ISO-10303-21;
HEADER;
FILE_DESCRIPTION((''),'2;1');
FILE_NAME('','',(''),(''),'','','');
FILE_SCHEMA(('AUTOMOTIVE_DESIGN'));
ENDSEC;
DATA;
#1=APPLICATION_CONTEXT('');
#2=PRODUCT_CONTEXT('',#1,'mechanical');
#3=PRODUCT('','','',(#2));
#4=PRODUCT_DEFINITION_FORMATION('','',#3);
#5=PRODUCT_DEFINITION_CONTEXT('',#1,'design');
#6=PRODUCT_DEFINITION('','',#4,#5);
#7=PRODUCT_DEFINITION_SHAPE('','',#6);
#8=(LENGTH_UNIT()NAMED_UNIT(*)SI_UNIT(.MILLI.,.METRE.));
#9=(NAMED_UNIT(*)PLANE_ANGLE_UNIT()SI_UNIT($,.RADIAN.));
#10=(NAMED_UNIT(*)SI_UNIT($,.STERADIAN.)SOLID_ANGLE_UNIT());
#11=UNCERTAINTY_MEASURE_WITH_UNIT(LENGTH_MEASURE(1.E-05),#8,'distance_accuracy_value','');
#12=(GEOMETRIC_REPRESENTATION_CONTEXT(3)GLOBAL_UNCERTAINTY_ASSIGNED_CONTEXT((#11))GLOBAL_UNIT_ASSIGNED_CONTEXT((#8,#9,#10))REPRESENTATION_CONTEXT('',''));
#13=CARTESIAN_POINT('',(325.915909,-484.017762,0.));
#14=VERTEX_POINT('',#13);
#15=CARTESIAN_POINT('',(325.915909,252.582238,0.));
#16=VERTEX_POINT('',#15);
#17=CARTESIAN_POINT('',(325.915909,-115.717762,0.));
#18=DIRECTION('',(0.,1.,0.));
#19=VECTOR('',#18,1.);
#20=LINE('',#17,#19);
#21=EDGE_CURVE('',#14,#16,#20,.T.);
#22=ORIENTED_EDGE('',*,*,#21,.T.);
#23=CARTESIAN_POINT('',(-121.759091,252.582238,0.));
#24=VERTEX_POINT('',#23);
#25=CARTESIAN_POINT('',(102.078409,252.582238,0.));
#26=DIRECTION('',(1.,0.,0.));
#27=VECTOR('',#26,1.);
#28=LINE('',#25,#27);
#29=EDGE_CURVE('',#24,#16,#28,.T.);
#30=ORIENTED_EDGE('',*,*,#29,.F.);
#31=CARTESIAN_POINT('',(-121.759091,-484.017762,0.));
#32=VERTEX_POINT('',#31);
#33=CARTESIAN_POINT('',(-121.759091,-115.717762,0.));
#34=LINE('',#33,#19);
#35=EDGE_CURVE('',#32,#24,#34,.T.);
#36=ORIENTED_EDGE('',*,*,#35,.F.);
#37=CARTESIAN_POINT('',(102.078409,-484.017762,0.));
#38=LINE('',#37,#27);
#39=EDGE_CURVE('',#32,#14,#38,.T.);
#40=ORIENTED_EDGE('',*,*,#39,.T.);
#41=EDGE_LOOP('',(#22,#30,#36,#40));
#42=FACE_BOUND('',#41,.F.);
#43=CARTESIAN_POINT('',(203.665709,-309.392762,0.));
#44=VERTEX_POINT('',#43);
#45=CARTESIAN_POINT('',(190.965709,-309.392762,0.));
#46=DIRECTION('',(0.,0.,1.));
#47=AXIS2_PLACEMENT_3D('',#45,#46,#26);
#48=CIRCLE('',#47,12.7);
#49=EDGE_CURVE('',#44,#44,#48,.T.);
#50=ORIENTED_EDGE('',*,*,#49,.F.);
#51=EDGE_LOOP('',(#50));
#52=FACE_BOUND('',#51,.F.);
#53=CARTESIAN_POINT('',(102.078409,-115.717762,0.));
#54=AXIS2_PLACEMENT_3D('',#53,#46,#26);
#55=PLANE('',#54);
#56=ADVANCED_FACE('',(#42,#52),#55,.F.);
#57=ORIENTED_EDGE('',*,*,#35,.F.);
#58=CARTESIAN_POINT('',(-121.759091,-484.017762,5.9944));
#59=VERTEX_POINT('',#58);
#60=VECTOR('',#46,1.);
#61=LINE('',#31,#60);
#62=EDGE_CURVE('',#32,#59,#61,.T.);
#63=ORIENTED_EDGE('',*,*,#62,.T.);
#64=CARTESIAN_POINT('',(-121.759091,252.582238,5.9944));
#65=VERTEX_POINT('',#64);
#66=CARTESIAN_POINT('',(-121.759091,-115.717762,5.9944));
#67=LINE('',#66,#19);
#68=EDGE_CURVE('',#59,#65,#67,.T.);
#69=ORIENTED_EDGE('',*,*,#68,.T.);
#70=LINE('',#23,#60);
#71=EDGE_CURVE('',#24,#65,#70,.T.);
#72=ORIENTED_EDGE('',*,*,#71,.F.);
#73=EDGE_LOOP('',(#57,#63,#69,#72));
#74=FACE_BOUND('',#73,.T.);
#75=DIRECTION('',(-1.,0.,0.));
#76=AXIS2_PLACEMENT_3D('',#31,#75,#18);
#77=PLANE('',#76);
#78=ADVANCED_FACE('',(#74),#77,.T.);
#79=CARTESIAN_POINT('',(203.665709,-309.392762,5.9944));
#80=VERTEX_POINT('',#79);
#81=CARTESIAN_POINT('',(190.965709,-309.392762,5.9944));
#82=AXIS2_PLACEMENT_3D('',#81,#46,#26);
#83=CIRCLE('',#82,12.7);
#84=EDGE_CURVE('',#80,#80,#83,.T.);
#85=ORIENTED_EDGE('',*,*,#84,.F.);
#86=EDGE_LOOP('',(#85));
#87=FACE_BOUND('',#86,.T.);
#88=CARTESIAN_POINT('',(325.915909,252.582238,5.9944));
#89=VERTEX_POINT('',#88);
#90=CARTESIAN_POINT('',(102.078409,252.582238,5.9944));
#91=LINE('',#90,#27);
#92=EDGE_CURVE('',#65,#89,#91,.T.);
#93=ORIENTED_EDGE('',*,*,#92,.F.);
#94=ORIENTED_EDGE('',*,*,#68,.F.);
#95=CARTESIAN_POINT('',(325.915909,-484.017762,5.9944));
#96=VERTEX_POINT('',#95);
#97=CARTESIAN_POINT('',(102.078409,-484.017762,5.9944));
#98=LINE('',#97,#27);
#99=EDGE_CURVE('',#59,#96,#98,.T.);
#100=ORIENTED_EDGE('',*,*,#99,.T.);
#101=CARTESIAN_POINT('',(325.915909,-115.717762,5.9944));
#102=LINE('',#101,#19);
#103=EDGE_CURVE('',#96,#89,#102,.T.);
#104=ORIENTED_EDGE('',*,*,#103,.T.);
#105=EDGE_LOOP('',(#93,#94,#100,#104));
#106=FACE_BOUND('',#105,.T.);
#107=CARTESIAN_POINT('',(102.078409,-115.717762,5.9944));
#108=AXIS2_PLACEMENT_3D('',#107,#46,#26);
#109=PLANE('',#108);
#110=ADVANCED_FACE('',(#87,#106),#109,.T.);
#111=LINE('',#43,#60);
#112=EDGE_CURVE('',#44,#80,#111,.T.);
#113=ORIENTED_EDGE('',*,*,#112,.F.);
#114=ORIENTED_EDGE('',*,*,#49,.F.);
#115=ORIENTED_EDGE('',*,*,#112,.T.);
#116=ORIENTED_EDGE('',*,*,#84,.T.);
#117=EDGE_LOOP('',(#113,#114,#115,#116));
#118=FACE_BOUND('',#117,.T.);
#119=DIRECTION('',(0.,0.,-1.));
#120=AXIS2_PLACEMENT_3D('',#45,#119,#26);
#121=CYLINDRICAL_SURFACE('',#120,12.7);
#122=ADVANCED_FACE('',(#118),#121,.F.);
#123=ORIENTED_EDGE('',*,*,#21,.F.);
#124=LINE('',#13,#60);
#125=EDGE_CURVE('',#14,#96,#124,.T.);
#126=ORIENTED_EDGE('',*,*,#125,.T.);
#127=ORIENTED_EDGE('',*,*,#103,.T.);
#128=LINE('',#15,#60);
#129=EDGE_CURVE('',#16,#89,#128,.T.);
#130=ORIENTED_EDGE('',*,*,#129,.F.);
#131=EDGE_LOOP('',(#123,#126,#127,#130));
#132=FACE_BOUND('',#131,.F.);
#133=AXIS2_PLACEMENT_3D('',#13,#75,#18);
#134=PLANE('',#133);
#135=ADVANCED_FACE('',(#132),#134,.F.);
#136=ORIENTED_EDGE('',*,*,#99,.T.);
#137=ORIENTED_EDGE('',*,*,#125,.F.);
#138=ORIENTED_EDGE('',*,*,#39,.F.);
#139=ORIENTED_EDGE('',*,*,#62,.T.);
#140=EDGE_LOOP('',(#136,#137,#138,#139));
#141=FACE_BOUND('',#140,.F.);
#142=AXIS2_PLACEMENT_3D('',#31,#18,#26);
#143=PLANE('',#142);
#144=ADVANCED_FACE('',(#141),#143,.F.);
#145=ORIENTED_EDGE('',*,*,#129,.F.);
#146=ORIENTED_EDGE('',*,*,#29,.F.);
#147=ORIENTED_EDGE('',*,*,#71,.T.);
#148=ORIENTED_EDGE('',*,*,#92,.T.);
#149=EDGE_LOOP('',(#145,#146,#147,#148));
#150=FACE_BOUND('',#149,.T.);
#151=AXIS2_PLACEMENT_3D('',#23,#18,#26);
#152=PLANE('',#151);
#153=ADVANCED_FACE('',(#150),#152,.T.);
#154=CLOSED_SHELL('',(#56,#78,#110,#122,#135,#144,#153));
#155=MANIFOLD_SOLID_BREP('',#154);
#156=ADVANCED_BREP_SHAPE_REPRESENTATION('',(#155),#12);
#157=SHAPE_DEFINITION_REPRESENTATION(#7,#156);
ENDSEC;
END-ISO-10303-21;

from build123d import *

# Parameters (mm, degrees)
SKETCH_W      = 447.675
SKETCH_H      = 736.6
SKETCH_R      = 12.7
EXTRUDE_DEPTH = 5.9944


with BuildPart() as part:
    # Sketch → Extrude (new body)
    with BuildSketch(Plane.XY):
        with Locations((102.078409, -115.717762)):
            Rectangle(SKETCH_W, SKETCH_H)
        with Locations((190.965709, -309.392762)):
            Circle(SKETCH_R, mode=Mode.SUBTRACT)
    extrude(amount=EXTRUDE_DEPTH)


solid = part.part
